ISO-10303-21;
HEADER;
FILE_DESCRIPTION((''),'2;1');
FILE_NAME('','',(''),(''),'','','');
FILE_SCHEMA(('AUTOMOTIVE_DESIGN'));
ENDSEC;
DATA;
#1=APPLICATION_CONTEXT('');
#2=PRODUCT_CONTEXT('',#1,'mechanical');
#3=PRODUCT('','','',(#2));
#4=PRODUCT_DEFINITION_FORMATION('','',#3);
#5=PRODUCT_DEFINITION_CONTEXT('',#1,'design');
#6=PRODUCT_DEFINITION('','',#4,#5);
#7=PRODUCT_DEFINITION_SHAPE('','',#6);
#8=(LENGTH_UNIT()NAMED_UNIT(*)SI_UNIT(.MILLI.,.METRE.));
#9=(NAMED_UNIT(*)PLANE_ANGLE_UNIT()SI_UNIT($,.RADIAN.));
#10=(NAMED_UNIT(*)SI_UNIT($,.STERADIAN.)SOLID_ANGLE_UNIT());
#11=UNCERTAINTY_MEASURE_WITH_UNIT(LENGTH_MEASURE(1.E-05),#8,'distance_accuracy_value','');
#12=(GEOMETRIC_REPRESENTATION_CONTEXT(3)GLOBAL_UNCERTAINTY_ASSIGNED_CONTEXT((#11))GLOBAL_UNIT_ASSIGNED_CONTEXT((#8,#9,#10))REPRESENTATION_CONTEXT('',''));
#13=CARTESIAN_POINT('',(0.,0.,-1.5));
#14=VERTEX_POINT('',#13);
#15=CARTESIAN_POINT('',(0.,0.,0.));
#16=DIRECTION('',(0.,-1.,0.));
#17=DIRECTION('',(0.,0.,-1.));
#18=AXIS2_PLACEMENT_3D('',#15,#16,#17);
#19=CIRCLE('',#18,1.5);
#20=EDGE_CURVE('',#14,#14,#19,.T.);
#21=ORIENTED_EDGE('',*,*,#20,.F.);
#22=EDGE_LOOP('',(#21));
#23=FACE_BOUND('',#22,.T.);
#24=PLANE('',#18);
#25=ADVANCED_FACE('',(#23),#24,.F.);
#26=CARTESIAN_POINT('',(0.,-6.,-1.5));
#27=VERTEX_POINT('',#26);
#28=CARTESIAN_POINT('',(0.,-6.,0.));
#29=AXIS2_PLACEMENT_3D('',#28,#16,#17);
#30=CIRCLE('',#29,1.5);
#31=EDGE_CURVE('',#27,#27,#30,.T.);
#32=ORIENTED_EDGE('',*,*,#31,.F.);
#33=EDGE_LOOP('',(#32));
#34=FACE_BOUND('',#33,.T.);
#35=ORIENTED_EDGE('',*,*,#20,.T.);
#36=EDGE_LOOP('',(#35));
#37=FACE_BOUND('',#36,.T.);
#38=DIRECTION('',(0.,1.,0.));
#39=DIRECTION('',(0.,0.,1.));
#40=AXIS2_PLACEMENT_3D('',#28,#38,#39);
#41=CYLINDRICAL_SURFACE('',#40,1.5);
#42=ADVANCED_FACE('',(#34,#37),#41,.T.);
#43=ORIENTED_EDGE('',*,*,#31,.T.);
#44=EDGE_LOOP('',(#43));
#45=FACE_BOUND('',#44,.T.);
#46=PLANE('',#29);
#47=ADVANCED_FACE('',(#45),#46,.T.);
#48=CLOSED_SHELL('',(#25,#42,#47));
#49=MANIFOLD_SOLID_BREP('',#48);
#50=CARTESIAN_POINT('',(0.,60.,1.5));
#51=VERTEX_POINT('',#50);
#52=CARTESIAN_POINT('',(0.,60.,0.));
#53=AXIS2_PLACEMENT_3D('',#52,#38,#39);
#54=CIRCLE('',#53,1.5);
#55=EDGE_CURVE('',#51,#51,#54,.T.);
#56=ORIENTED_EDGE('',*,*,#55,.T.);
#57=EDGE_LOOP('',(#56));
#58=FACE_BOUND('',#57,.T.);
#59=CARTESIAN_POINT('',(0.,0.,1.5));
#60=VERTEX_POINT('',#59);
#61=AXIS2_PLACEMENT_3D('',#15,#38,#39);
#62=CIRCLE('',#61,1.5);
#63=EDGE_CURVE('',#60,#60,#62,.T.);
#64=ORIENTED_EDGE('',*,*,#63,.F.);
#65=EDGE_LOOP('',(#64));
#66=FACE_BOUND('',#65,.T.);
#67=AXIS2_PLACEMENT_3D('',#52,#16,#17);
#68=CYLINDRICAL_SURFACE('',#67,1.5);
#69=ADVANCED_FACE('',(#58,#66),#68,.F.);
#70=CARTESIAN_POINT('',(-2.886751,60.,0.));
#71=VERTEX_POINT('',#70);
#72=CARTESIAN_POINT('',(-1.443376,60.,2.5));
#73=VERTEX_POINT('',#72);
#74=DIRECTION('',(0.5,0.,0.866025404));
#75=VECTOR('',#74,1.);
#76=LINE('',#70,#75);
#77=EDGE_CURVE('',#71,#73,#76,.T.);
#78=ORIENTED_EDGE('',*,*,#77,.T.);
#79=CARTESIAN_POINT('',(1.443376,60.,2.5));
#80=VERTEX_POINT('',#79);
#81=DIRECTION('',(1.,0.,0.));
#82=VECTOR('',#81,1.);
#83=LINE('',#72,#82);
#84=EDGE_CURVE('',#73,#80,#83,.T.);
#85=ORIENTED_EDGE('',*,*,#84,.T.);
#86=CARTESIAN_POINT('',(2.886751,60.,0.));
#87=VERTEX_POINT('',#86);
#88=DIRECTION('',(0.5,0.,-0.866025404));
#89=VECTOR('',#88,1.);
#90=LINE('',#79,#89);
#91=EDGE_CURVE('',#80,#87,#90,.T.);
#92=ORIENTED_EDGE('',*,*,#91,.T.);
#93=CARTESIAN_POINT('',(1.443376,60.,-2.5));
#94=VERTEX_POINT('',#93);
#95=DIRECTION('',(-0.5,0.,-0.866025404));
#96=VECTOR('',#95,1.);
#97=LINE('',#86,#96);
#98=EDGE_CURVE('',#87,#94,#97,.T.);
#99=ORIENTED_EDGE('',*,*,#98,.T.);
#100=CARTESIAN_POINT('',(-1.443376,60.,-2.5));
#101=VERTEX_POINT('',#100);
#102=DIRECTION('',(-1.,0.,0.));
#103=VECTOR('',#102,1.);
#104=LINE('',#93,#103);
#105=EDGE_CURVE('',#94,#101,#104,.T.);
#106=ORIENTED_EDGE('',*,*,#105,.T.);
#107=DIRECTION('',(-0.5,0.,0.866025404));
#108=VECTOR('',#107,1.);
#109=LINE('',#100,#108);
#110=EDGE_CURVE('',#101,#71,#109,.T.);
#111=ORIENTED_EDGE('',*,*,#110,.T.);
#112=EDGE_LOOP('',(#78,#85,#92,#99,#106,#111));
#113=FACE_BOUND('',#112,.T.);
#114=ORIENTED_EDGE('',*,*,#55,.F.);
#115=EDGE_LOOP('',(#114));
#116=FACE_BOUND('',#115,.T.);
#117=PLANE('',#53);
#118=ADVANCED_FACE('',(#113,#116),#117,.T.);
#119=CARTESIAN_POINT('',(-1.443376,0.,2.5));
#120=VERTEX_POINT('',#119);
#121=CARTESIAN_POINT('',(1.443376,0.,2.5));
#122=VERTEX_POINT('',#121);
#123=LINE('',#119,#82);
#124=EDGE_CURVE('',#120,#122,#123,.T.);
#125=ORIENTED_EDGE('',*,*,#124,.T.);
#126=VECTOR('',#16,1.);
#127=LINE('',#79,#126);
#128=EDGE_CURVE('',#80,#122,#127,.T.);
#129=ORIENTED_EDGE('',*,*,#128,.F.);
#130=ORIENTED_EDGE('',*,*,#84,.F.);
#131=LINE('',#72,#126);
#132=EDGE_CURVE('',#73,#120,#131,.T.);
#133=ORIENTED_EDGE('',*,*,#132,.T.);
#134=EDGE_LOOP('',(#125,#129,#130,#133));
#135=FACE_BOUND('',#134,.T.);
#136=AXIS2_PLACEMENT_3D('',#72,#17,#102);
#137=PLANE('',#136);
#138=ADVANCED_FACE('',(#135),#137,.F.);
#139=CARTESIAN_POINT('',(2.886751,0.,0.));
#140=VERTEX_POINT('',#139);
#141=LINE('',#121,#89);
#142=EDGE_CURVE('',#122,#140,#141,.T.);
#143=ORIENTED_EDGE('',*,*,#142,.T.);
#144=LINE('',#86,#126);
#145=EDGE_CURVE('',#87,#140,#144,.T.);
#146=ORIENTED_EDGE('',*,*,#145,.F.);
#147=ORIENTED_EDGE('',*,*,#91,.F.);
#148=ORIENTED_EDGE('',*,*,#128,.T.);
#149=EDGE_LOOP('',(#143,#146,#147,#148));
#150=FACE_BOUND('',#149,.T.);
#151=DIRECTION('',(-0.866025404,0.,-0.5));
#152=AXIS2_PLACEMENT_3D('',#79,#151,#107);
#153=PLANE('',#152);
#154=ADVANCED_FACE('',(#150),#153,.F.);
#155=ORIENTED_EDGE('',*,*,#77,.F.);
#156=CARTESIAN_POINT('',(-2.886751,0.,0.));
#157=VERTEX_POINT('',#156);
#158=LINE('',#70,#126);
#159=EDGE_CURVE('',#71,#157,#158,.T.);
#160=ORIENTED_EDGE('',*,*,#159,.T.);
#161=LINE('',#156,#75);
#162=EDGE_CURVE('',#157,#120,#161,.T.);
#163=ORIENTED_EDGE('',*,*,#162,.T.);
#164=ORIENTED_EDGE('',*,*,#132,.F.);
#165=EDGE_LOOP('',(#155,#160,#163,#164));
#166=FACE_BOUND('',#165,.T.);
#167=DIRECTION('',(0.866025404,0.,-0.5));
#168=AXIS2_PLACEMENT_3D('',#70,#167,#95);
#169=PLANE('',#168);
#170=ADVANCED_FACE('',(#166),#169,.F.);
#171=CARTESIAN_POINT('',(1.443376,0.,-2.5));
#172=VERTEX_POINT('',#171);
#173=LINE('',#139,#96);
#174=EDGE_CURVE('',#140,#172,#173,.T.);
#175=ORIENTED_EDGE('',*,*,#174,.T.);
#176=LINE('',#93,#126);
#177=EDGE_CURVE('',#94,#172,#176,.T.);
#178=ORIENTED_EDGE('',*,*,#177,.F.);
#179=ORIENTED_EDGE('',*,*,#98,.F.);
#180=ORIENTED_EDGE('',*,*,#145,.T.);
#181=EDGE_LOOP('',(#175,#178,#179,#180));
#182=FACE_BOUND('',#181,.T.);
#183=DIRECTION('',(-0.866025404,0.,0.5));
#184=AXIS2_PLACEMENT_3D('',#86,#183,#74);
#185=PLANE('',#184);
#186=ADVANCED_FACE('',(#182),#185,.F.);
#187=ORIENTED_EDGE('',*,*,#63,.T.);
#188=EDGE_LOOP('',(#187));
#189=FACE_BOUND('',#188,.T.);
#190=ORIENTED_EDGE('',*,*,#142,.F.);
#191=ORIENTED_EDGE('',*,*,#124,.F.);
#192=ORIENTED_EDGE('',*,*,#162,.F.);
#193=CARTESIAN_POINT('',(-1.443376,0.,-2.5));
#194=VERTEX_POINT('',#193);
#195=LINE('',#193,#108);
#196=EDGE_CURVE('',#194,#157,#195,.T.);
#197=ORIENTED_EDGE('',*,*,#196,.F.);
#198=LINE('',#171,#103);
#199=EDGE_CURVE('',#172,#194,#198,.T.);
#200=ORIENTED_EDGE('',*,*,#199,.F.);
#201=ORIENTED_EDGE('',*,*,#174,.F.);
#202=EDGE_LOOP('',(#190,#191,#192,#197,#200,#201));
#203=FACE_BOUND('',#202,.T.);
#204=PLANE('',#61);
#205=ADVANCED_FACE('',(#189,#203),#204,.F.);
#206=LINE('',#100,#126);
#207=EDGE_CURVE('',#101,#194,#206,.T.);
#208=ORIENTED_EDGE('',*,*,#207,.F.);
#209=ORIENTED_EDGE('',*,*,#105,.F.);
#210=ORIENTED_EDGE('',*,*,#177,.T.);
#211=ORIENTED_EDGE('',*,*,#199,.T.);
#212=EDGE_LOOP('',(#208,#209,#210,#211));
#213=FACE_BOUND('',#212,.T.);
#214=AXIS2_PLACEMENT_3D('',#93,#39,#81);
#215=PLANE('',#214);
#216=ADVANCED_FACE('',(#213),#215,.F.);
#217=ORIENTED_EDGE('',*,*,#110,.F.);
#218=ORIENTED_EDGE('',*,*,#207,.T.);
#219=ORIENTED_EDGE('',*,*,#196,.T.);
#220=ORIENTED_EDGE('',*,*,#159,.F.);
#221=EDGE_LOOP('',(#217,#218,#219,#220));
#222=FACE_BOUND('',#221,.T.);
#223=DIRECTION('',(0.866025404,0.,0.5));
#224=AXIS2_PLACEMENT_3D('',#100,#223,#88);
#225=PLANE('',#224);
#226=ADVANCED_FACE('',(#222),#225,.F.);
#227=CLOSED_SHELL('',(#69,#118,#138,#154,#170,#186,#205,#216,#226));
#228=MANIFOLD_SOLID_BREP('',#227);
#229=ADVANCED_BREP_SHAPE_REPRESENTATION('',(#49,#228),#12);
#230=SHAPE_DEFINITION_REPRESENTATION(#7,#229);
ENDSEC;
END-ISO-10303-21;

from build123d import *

# Parameters (mm, degrees)
CROQUIS1_R              = 1.5
SALIENTE_EXTRUIR1_DEPTH = 60
CROQUIS2_R              = 1.5
SALIENTE_EXTRUIR2_DEPTH = 6


with BuildPart() as part:
    # Croquis1 → Saliente-Extruir1 (new body)
    with BuildSketch(Plane(origin=(0, 0, 0), x_dir=(1, 0, 0), z_dir=(0, 1, 0))):
        Polygon((1.443375673, -2.5), (2.886751346, 0), (1.443375673, 2.5), (-1.443375673, 2.5), (-2.886751346, 0), (-1.443375673, -2.5), align=None)
        with Locations(Location((0, 0, 0), (0, 0, 270))):
            Circle(CROQUIS1_R, mode=Mode.SUBTRACT)
    extrude(amount=SALIENTE_EXTRUIR1_DEPTH)


with BuildPart() as body_2:
    # Croquis2 → Saliente-Extruir2 (new body)
    with BuildSketch(Plane.XZ):
        with Locations(Location((0, 0, 0), (0, 0, 270))):
            Circle(CROQUIS2_R)
    extrude(amount=SALIENTE_EXTRUIR2_DEPTH)


solid = Compound([part.part, body_2.part])
